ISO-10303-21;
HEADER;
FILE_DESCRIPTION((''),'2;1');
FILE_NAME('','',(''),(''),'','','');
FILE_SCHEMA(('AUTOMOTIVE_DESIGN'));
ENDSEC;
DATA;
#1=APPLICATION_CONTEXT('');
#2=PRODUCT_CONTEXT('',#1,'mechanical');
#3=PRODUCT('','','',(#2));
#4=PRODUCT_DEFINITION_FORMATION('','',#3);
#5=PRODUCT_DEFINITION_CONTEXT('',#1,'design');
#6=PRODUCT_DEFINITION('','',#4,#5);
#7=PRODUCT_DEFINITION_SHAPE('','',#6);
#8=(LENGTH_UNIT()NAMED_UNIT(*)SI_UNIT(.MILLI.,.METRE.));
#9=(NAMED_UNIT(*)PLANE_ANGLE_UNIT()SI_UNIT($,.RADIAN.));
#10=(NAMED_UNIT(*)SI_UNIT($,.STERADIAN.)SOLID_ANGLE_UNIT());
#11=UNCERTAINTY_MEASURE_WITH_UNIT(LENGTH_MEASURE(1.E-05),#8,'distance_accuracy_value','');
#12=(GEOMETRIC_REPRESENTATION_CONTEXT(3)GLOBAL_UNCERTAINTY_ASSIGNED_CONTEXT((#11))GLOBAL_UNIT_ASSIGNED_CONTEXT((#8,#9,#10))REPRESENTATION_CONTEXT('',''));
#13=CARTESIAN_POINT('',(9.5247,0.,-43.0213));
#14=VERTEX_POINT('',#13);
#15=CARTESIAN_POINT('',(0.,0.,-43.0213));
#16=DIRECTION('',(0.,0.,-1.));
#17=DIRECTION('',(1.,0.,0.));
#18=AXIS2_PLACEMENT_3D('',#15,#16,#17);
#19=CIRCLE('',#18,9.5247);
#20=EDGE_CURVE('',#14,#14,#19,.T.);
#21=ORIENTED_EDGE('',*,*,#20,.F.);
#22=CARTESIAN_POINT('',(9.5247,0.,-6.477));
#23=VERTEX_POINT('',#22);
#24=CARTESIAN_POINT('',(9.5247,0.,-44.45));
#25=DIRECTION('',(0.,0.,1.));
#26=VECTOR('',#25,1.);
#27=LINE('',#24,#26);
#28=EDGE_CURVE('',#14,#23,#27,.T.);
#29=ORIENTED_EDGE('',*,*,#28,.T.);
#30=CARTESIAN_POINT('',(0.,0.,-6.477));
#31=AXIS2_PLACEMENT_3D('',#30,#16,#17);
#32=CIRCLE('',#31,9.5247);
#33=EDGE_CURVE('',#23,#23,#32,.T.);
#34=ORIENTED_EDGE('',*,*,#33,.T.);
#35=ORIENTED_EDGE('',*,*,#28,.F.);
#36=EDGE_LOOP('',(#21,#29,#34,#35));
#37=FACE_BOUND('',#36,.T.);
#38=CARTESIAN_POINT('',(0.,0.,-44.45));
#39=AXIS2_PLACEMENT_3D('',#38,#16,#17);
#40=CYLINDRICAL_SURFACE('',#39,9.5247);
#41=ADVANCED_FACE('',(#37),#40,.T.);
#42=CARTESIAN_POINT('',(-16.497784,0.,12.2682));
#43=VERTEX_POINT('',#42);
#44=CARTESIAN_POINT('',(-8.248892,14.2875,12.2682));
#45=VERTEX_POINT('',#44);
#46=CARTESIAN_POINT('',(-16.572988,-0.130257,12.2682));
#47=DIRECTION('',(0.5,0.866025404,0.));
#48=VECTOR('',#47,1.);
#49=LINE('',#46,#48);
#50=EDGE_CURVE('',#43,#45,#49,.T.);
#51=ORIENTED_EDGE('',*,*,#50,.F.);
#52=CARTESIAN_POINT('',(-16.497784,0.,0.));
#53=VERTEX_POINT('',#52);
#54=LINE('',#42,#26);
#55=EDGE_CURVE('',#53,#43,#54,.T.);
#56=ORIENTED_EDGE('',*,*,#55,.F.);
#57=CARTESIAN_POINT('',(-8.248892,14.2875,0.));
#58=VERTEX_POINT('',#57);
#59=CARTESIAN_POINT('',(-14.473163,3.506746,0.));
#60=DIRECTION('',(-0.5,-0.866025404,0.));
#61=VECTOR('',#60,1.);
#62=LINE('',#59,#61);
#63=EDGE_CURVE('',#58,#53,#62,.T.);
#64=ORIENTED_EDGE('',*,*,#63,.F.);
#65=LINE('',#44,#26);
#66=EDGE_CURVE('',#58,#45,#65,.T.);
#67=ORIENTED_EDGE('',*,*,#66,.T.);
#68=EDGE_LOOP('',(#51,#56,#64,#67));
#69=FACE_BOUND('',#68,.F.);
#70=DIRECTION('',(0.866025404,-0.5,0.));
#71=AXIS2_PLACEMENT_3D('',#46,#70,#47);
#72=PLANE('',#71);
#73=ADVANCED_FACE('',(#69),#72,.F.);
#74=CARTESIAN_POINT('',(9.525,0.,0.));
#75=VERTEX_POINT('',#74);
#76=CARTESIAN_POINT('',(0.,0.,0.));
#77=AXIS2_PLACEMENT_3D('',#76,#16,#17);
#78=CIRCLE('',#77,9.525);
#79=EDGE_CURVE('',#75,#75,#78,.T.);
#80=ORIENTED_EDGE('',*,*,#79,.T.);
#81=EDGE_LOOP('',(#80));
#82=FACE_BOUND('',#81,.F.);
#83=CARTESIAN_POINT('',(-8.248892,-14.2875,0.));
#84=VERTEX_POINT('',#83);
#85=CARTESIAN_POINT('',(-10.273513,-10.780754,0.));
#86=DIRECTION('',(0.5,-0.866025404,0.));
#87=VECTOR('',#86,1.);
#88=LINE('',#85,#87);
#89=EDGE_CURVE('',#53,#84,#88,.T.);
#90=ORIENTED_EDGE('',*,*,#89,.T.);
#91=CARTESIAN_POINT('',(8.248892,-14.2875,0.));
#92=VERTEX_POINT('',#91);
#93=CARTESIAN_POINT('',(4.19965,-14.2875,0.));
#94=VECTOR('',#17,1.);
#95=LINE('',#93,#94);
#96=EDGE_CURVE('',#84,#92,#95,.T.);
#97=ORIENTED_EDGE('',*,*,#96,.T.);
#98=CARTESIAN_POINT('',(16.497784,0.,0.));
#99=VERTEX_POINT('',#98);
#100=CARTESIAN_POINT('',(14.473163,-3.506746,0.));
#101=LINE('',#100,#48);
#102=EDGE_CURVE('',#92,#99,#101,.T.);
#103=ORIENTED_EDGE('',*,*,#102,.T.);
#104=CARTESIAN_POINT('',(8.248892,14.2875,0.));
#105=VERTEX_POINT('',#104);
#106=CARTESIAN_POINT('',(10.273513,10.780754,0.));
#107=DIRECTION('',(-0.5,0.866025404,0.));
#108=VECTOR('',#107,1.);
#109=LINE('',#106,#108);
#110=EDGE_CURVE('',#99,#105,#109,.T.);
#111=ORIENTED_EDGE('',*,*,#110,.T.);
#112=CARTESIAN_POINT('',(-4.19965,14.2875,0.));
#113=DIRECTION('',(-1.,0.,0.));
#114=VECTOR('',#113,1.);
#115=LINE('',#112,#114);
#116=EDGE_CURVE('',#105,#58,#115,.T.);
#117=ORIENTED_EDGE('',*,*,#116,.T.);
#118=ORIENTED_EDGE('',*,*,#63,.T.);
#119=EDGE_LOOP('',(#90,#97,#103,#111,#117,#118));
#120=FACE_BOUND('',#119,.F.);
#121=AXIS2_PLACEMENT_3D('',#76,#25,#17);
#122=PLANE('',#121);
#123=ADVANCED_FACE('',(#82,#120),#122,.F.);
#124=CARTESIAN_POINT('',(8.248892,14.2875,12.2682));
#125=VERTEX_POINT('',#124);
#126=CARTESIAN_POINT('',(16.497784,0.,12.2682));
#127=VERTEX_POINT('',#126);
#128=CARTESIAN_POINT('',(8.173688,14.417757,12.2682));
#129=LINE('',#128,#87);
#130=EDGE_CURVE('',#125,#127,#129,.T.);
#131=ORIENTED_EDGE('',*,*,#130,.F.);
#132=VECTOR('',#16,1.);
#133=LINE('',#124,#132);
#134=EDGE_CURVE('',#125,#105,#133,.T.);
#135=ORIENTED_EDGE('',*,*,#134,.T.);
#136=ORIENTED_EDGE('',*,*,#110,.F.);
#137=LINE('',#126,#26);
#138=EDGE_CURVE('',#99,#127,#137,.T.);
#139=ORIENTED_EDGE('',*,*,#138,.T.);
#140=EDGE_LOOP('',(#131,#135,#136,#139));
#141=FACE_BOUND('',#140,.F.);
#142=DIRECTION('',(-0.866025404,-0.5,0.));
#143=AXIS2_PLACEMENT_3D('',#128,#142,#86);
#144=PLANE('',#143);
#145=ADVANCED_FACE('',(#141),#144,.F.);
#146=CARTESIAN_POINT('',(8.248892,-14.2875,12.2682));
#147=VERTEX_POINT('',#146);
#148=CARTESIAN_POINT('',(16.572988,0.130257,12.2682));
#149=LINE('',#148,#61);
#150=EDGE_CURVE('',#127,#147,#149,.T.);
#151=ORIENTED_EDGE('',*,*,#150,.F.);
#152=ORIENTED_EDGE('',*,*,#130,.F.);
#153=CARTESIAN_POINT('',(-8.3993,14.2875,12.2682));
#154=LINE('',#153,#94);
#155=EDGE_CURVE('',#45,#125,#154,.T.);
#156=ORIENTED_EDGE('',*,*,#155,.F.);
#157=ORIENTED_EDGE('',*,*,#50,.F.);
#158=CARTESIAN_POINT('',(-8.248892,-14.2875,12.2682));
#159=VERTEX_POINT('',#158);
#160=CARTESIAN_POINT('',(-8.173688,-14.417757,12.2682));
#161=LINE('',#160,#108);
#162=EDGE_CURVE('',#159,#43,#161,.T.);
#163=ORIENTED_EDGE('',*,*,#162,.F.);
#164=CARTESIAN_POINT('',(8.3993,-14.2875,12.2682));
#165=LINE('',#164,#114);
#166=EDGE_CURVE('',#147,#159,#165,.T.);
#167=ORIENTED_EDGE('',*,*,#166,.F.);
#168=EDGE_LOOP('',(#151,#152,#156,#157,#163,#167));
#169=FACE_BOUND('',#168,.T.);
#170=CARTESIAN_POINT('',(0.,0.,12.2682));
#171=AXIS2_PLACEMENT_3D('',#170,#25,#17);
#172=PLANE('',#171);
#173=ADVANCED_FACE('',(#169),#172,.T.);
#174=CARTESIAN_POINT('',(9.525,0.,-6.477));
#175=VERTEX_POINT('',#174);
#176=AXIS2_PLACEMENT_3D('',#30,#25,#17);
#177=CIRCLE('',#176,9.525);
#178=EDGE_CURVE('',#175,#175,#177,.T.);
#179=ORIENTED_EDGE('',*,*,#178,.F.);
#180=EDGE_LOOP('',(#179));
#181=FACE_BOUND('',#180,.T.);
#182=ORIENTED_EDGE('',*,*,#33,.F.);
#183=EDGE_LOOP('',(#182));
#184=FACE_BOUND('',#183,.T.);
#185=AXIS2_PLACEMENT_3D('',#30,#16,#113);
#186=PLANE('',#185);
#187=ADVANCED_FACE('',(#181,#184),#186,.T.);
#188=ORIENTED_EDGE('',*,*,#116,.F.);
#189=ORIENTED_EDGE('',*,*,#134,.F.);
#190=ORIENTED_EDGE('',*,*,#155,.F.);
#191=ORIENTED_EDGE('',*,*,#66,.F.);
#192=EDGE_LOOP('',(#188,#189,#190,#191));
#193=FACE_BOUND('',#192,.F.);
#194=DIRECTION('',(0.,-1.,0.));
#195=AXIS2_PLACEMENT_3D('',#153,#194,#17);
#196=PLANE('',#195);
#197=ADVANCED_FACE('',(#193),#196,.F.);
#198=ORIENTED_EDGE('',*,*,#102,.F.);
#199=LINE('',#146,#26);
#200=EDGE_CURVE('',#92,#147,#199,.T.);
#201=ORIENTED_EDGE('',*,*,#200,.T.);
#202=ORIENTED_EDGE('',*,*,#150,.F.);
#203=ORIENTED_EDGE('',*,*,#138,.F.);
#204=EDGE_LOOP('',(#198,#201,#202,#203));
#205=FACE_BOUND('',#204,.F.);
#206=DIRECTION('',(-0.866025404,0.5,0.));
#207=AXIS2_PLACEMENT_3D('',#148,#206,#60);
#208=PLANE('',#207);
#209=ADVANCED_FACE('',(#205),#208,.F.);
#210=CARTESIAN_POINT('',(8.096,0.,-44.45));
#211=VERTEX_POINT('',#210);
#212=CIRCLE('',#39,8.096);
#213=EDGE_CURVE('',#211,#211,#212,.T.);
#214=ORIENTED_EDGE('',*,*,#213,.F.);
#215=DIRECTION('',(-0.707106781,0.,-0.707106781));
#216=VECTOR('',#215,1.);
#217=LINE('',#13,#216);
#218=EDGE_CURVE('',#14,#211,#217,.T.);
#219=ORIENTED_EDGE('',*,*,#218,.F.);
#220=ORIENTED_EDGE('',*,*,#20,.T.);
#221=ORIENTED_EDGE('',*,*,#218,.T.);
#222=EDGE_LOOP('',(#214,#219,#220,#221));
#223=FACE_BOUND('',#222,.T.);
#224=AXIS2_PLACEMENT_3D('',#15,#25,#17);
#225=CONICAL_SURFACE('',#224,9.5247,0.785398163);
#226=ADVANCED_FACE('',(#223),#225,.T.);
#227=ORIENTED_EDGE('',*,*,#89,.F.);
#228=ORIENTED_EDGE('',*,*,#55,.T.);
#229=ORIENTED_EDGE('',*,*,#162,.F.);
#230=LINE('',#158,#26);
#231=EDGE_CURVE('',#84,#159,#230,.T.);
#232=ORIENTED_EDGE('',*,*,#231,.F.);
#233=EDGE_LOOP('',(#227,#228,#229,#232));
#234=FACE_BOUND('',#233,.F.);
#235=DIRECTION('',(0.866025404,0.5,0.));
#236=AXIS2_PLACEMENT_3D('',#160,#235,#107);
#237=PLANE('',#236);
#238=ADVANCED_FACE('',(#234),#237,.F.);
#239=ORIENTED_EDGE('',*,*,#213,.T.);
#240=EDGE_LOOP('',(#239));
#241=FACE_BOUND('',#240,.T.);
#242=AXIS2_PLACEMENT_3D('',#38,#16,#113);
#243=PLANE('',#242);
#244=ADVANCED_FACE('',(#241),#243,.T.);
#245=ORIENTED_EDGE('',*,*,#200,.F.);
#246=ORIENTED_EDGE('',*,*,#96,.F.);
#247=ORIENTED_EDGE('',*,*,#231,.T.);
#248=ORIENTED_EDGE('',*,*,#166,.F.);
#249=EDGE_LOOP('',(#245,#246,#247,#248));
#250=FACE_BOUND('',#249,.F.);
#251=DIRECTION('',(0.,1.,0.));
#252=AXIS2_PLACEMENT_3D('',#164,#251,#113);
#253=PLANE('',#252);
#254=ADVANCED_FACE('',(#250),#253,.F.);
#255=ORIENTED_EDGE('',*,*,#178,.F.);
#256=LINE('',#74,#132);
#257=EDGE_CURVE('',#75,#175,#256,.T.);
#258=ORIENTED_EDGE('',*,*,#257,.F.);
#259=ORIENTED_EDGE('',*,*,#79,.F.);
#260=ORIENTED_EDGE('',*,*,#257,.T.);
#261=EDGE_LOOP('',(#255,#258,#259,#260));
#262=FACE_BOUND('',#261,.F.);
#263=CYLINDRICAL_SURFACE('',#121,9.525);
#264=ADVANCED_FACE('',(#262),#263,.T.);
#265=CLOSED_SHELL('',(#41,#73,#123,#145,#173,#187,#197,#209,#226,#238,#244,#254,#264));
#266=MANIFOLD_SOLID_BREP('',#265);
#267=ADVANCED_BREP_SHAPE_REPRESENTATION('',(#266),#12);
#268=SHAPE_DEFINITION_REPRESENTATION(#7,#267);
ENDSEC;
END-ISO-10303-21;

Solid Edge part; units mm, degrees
sketch "Sketch1" plane through (0, 0, 0) normal (0, 0, 1) x (1, 0, 0)
  circle A0 centre (0, 0) radius 16.5735
  dimension "D1" = 33.147
extrude "Protrusion1" add sketch "Sketch1" along normal blind 12.2682
sketch "Sketch2" plane through (0, 0, 0) normal (0, 0, -1) x (1, 0, 0)
  circle A0 centre (0, 0) radius 9.525
extrude "Protrusion2" add sketch "Sketch2" along normal blind 44.45
sketch "Sketch3" plane through (0, 0, -44.45) normal (0, 0, -1) x (1, 0, 0)
  circle A0 centre (0, 0) radius 9.5247
extrude "Cutout1" cut sketch "Sketch3" against normal blind 37.973 flip side to cut
chamfer "Chamfer_1" distance 1.4287 angle 45 1 edges at (-9.5247, 0, -44.45)
sketch "Sketch4" plane through (0, 0, 12.2682) normal (0, 0, 1) x (1, 0, 0)
  line L0 (-8.3993, 14.2875) -> (8.3993, 14.2875)
  dimension "D1" = 28.575
extrude "Cutout2" cut sketch "Sketch4" against normal up to next material side at (0, 14.3375, 12.2682)
pattern_circular "Pattern1" count 6 over 360 about axis through (0, 0, 12.2682) along (0, 0, 1) of "Cutout2"
properties part number "185529"
